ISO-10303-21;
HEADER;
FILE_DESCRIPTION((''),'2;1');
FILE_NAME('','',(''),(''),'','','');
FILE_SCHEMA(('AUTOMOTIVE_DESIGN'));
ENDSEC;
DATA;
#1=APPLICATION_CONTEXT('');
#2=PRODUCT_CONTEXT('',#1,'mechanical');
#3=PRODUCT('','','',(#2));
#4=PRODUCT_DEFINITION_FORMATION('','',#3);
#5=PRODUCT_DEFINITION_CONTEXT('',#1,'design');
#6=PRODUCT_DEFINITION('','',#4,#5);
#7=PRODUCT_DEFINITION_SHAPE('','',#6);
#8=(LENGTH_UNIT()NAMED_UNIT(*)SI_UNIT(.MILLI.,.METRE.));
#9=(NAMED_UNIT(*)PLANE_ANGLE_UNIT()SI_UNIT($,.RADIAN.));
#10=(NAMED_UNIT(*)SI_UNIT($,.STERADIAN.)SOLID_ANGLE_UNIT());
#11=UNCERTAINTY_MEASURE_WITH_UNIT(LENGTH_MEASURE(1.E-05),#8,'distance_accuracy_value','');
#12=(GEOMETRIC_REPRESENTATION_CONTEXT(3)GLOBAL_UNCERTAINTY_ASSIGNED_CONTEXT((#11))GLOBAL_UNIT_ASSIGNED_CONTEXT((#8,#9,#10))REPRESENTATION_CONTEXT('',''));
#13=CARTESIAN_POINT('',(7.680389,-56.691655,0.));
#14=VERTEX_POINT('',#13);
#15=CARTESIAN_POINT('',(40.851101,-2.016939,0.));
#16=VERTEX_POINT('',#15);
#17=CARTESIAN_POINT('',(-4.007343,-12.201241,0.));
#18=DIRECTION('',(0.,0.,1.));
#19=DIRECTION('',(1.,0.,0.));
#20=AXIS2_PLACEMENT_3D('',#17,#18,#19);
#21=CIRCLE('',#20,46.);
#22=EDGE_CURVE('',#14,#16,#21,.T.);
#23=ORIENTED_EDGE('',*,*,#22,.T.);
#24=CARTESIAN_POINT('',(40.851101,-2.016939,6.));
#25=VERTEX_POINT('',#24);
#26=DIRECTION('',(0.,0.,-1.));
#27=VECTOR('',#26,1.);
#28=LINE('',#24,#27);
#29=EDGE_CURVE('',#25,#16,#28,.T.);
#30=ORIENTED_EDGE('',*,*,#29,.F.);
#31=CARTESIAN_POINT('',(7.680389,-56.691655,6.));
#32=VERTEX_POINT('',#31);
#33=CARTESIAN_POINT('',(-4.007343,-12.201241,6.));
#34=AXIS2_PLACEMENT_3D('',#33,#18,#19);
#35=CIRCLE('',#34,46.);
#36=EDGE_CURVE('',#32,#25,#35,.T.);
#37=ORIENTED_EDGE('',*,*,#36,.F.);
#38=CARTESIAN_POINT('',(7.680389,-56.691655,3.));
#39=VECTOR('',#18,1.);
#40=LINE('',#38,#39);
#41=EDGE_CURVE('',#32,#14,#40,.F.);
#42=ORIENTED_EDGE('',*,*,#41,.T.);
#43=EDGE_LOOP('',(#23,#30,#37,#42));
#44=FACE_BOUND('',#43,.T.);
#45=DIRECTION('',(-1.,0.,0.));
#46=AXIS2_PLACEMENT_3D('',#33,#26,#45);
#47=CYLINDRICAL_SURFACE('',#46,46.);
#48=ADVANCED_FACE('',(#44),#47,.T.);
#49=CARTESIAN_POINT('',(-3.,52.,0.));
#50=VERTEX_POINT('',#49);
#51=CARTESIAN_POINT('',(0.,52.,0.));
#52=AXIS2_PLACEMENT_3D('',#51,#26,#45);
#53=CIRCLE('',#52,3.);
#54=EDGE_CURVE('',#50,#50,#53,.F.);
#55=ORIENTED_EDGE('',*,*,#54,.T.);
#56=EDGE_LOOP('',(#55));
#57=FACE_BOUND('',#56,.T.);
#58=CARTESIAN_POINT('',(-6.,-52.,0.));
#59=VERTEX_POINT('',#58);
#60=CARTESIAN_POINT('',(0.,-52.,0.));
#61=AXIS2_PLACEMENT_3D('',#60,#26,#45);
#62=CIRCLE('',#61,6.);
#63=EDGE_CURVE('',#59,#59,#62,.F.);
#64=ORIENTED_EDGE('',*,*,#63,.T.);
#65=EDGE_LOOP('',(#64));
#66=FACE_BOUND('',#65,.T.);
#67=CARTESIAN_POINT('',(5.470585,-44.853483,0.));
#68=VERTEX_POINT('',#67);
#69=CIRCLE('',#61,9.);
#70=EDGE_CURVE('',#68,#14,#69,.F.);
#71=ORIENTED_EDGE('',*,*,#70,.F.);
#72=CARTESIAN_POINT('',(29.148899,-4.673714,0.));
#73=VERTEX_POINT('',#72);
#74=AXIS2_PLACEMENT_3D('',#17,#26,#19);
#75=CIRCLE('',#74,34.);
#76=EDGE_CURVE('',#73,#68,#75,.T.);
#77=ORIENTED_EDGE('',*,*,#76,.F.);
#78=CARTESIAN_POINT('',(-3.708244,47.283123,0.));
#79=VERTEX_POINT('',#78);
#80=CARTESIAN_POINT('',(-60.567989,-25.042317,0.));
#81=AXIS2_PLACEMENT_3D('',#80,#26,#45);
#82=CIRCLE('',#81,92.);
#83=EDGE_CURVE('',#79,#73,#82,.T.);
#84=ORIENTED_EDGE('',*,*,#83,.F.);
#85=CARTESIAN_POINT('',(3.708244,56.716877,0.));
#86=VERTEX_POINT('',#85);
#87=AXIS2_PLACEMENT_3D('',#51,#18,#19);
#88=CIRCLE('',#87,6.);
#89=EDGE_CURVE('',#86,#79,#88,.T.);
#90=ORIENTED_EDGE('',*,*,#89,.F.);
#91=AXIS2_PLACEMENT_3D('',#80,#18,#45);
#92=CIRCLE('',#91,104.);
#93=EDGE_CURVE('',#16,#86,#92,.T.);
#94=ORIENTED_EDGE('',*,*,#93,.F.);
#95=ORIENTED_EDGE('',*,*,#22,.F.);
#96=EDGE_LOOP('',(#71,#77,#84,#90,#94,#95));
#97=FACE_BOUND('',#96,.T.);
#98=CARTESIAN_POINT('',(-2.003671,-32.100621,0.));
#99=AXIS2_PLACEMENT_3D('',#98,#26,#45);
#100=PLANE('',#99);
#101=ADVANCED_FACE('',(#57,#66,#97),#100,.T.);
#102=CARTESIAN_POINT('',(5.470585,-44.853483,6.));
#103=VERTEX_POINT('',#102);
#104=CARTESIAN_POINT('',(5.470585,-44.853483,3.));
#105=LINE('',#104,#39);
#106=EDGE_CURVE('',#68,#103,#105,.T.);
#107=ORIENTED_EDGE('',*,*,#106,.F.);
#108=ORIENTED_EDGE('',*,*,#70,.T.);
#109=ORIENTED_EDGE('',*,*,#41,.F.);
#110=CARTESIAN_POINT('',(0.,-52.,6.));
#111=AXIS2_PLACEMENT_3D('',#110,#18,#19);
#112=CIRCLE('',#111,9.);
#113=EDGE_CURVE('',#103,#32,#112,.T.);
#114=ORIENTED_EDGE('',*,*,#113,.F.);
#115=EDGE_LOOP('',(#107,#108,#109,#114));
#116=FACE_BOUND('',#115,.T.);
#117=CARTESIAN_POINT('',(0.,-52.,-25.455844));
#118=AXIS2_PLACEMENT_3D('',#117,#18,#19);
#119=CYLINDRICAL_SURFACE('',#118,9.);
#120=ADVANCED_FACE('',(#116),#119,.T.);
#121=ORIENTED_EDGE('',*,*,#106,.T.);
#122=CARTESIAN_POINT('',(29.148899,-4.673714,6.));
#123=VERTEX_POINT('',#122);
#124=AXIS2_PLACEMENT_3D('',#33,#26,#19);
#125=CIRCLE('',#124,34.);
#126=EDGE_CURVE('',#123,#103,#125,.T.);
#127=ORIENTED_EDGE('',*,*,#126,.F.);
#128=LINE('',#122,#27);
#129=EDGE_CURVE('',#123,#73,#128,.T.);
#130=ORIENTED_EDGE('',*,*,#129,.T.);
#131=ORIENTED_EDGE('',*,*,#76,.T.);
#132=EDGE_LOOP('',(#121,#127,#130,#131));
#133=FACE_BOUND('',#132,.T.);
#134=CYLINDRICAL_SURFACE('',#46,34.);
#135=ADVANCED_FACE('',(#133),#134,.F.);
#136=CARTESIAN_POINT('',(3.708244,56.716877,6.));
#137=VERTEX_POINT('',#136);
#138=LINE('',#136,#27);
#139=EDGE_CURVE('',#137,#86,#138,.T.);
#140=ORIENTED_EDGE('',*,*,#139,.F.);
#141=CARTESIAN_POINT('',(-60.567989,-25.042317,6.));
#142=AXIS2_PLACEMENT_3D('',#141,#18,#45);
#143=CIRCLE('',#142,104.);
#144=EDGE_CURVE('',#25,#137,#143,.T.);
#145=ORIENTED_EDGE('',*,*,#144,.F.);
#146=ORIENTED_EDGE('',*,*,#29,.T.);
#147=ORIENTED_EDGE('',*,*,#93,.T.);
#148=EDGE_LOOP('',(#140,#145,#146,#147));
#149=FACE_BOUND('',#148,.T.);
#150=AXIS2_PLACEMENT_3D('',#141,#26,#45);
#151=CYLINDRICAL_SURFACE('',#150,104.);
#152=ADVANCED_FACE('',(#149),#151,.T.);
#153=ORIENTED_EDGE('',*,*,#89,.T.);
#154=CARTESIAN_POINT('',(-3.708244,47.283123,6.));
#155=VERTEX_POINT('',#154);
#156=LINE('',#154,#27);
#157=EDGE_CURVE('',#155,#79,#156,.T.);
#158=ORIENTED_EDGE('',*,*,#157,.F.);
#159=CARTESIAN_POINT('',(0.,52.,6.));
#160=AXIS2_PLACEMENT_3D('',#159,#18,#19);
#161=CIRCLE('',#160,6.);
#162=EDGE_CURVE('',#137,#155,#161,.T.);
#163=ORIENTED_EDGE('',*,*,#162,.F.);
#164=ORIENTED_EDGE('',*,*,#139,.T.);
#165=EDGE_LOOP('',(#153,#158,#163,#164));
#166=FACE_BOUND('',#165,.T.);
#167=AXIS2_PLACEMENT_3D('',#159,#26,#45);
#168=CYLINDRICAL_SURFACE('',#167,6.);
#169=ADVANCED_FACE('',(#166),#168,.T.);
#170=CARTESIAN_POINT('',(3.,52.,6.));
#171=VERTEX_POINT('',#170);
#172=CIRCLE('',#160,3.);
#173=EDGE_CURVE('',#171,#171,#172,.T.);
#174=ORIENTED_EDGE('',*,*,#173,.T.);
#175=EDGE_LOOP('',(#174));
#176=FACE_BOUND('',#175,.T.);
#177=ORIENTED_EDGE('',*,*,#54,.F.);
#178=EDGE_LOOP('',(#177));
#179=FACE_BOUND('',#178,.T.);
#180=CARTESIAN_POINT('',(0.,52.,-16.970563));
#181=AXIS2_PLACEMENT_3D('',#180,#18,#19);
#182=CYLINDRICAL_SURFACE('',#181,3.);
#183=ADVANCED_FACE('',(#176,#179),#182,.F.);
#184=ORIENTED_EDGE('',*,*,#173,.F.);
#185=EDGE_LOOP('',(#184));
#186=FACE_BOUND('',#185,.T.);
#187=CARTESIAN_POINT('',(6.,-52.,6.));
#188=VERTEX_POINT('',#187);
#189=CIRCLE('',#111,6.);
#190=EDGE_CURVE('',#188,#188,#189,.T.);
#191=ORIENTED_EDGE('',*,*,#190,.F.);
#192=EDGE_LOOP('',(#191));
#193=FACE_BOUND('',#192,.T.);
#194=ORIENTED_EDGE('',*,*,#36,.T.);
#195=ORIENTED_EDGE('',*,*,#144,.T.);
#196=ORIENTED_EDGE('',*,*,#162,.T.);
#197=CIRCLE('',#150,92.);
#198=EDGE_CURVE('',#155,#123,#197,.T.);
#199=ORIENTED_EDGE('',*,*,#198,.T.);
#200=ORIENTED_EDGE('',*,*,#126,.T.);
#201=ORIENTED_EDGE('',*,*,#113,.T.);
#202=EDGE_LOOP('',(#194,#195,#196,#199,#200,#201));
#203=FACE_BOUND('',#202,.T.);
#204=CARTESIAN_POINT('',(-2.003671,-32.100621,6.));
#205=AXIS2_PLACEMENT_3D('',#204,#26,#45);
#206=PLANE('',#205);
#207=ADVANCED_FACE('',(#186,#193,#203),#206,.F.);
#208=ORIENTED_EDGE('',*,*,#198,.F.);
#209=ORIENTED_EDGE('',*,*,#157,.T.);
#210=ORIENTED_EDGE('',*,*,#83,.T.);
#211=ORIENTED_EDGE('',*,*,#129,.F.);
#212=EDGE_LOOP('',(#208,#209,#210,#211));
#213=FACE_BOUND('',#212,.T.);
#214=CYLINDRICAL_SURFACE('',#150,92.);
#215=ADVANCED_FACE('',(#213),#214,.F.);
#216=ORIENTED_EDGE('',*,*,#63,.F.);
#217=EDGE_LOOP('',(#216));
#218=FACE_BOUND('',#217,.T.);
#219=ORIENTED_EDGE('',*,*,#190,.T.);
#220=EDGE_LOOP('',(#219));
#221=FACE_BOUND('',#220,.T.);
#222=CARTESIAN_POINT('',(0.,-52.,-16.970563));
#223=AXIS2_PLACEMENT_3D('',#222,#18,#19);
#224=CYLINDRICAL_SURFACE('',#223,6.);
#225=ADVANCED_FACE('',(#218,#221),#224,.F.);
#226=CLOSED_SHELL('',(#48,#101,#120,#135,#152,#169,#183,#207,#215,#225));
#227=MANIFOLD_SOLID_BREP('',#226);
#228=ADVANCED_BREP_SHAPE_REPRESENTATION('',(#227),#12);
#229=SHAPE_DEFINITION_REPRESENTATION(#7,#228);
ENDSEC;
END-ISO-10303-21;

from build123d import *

# Parameters (mm, degrees)
EXTRUDE_1_DEPTH     = 6
SKETCH_2_R          = 9
EXTRUDE_2_DEPTH     = 6
SKETCH_3_R          = 6
SKETCH_3_R_2        = 3
CUT_EXTRUDE_1_DEPTH = 6


with BuildPart() as part:
    # 草图1 → 凸台-拉伸1 (new body)
    with BuildSketch(Plane.XY):
        with BuildLine():
            ThreePointArc((0.601101389, -57.969813826), (33.334648413, -39.063402424), (40.851101389, -2.016939333))
            ThreePointArc((40.851101389, -2.016939333), (27.330534013, 30.544098151), (3.708244246, 56.716876574))
            ThreePointArc((3.708244246, 56.716876574), (-4.716876574, 55.708244246), (-3.708244246, 47.283123426))
            ThreePointArc((-3.708244246, 47.283123426), (17.188396702, 24.130280975), (29.148898611, -4.673713722))
            ThreePointArc((29.148898611, -4.673713722), (23.593259455, -32.055882093), (-0.601101389, -46.030186174))
            ThreePointArc((-0.601101389, -46.030186174), (-5.969813826, -52.601101389), (0.601101389, -57.969813826))
        make_face()
    extrude(amount=EXTRUDE_1_DEPTH)

    # 草图2 → 凸台-拉伸2 (add)
    with BuildSketch(Plane.XY.offset(6)):
        with Locations((0, -52)):
            Circle(SKETCH_2_R)
    extrude(amount=-EXTRUDE_2_DEPTH)

    # 草图3 → 切除-拉伸1 (cut)
    with BuildSketch(Plane.XY.offset(6)):
        with Locations((0, -52)):
            Circle(SKETCH_3_R)
        with Locations((0, 52)):
            Circle(SKETCH_3_R_2)
    extrude(amount=-CUT_EXTRUDE_1_DEPTH, mode=Mode.SUBTRACT)


solid = part.part
